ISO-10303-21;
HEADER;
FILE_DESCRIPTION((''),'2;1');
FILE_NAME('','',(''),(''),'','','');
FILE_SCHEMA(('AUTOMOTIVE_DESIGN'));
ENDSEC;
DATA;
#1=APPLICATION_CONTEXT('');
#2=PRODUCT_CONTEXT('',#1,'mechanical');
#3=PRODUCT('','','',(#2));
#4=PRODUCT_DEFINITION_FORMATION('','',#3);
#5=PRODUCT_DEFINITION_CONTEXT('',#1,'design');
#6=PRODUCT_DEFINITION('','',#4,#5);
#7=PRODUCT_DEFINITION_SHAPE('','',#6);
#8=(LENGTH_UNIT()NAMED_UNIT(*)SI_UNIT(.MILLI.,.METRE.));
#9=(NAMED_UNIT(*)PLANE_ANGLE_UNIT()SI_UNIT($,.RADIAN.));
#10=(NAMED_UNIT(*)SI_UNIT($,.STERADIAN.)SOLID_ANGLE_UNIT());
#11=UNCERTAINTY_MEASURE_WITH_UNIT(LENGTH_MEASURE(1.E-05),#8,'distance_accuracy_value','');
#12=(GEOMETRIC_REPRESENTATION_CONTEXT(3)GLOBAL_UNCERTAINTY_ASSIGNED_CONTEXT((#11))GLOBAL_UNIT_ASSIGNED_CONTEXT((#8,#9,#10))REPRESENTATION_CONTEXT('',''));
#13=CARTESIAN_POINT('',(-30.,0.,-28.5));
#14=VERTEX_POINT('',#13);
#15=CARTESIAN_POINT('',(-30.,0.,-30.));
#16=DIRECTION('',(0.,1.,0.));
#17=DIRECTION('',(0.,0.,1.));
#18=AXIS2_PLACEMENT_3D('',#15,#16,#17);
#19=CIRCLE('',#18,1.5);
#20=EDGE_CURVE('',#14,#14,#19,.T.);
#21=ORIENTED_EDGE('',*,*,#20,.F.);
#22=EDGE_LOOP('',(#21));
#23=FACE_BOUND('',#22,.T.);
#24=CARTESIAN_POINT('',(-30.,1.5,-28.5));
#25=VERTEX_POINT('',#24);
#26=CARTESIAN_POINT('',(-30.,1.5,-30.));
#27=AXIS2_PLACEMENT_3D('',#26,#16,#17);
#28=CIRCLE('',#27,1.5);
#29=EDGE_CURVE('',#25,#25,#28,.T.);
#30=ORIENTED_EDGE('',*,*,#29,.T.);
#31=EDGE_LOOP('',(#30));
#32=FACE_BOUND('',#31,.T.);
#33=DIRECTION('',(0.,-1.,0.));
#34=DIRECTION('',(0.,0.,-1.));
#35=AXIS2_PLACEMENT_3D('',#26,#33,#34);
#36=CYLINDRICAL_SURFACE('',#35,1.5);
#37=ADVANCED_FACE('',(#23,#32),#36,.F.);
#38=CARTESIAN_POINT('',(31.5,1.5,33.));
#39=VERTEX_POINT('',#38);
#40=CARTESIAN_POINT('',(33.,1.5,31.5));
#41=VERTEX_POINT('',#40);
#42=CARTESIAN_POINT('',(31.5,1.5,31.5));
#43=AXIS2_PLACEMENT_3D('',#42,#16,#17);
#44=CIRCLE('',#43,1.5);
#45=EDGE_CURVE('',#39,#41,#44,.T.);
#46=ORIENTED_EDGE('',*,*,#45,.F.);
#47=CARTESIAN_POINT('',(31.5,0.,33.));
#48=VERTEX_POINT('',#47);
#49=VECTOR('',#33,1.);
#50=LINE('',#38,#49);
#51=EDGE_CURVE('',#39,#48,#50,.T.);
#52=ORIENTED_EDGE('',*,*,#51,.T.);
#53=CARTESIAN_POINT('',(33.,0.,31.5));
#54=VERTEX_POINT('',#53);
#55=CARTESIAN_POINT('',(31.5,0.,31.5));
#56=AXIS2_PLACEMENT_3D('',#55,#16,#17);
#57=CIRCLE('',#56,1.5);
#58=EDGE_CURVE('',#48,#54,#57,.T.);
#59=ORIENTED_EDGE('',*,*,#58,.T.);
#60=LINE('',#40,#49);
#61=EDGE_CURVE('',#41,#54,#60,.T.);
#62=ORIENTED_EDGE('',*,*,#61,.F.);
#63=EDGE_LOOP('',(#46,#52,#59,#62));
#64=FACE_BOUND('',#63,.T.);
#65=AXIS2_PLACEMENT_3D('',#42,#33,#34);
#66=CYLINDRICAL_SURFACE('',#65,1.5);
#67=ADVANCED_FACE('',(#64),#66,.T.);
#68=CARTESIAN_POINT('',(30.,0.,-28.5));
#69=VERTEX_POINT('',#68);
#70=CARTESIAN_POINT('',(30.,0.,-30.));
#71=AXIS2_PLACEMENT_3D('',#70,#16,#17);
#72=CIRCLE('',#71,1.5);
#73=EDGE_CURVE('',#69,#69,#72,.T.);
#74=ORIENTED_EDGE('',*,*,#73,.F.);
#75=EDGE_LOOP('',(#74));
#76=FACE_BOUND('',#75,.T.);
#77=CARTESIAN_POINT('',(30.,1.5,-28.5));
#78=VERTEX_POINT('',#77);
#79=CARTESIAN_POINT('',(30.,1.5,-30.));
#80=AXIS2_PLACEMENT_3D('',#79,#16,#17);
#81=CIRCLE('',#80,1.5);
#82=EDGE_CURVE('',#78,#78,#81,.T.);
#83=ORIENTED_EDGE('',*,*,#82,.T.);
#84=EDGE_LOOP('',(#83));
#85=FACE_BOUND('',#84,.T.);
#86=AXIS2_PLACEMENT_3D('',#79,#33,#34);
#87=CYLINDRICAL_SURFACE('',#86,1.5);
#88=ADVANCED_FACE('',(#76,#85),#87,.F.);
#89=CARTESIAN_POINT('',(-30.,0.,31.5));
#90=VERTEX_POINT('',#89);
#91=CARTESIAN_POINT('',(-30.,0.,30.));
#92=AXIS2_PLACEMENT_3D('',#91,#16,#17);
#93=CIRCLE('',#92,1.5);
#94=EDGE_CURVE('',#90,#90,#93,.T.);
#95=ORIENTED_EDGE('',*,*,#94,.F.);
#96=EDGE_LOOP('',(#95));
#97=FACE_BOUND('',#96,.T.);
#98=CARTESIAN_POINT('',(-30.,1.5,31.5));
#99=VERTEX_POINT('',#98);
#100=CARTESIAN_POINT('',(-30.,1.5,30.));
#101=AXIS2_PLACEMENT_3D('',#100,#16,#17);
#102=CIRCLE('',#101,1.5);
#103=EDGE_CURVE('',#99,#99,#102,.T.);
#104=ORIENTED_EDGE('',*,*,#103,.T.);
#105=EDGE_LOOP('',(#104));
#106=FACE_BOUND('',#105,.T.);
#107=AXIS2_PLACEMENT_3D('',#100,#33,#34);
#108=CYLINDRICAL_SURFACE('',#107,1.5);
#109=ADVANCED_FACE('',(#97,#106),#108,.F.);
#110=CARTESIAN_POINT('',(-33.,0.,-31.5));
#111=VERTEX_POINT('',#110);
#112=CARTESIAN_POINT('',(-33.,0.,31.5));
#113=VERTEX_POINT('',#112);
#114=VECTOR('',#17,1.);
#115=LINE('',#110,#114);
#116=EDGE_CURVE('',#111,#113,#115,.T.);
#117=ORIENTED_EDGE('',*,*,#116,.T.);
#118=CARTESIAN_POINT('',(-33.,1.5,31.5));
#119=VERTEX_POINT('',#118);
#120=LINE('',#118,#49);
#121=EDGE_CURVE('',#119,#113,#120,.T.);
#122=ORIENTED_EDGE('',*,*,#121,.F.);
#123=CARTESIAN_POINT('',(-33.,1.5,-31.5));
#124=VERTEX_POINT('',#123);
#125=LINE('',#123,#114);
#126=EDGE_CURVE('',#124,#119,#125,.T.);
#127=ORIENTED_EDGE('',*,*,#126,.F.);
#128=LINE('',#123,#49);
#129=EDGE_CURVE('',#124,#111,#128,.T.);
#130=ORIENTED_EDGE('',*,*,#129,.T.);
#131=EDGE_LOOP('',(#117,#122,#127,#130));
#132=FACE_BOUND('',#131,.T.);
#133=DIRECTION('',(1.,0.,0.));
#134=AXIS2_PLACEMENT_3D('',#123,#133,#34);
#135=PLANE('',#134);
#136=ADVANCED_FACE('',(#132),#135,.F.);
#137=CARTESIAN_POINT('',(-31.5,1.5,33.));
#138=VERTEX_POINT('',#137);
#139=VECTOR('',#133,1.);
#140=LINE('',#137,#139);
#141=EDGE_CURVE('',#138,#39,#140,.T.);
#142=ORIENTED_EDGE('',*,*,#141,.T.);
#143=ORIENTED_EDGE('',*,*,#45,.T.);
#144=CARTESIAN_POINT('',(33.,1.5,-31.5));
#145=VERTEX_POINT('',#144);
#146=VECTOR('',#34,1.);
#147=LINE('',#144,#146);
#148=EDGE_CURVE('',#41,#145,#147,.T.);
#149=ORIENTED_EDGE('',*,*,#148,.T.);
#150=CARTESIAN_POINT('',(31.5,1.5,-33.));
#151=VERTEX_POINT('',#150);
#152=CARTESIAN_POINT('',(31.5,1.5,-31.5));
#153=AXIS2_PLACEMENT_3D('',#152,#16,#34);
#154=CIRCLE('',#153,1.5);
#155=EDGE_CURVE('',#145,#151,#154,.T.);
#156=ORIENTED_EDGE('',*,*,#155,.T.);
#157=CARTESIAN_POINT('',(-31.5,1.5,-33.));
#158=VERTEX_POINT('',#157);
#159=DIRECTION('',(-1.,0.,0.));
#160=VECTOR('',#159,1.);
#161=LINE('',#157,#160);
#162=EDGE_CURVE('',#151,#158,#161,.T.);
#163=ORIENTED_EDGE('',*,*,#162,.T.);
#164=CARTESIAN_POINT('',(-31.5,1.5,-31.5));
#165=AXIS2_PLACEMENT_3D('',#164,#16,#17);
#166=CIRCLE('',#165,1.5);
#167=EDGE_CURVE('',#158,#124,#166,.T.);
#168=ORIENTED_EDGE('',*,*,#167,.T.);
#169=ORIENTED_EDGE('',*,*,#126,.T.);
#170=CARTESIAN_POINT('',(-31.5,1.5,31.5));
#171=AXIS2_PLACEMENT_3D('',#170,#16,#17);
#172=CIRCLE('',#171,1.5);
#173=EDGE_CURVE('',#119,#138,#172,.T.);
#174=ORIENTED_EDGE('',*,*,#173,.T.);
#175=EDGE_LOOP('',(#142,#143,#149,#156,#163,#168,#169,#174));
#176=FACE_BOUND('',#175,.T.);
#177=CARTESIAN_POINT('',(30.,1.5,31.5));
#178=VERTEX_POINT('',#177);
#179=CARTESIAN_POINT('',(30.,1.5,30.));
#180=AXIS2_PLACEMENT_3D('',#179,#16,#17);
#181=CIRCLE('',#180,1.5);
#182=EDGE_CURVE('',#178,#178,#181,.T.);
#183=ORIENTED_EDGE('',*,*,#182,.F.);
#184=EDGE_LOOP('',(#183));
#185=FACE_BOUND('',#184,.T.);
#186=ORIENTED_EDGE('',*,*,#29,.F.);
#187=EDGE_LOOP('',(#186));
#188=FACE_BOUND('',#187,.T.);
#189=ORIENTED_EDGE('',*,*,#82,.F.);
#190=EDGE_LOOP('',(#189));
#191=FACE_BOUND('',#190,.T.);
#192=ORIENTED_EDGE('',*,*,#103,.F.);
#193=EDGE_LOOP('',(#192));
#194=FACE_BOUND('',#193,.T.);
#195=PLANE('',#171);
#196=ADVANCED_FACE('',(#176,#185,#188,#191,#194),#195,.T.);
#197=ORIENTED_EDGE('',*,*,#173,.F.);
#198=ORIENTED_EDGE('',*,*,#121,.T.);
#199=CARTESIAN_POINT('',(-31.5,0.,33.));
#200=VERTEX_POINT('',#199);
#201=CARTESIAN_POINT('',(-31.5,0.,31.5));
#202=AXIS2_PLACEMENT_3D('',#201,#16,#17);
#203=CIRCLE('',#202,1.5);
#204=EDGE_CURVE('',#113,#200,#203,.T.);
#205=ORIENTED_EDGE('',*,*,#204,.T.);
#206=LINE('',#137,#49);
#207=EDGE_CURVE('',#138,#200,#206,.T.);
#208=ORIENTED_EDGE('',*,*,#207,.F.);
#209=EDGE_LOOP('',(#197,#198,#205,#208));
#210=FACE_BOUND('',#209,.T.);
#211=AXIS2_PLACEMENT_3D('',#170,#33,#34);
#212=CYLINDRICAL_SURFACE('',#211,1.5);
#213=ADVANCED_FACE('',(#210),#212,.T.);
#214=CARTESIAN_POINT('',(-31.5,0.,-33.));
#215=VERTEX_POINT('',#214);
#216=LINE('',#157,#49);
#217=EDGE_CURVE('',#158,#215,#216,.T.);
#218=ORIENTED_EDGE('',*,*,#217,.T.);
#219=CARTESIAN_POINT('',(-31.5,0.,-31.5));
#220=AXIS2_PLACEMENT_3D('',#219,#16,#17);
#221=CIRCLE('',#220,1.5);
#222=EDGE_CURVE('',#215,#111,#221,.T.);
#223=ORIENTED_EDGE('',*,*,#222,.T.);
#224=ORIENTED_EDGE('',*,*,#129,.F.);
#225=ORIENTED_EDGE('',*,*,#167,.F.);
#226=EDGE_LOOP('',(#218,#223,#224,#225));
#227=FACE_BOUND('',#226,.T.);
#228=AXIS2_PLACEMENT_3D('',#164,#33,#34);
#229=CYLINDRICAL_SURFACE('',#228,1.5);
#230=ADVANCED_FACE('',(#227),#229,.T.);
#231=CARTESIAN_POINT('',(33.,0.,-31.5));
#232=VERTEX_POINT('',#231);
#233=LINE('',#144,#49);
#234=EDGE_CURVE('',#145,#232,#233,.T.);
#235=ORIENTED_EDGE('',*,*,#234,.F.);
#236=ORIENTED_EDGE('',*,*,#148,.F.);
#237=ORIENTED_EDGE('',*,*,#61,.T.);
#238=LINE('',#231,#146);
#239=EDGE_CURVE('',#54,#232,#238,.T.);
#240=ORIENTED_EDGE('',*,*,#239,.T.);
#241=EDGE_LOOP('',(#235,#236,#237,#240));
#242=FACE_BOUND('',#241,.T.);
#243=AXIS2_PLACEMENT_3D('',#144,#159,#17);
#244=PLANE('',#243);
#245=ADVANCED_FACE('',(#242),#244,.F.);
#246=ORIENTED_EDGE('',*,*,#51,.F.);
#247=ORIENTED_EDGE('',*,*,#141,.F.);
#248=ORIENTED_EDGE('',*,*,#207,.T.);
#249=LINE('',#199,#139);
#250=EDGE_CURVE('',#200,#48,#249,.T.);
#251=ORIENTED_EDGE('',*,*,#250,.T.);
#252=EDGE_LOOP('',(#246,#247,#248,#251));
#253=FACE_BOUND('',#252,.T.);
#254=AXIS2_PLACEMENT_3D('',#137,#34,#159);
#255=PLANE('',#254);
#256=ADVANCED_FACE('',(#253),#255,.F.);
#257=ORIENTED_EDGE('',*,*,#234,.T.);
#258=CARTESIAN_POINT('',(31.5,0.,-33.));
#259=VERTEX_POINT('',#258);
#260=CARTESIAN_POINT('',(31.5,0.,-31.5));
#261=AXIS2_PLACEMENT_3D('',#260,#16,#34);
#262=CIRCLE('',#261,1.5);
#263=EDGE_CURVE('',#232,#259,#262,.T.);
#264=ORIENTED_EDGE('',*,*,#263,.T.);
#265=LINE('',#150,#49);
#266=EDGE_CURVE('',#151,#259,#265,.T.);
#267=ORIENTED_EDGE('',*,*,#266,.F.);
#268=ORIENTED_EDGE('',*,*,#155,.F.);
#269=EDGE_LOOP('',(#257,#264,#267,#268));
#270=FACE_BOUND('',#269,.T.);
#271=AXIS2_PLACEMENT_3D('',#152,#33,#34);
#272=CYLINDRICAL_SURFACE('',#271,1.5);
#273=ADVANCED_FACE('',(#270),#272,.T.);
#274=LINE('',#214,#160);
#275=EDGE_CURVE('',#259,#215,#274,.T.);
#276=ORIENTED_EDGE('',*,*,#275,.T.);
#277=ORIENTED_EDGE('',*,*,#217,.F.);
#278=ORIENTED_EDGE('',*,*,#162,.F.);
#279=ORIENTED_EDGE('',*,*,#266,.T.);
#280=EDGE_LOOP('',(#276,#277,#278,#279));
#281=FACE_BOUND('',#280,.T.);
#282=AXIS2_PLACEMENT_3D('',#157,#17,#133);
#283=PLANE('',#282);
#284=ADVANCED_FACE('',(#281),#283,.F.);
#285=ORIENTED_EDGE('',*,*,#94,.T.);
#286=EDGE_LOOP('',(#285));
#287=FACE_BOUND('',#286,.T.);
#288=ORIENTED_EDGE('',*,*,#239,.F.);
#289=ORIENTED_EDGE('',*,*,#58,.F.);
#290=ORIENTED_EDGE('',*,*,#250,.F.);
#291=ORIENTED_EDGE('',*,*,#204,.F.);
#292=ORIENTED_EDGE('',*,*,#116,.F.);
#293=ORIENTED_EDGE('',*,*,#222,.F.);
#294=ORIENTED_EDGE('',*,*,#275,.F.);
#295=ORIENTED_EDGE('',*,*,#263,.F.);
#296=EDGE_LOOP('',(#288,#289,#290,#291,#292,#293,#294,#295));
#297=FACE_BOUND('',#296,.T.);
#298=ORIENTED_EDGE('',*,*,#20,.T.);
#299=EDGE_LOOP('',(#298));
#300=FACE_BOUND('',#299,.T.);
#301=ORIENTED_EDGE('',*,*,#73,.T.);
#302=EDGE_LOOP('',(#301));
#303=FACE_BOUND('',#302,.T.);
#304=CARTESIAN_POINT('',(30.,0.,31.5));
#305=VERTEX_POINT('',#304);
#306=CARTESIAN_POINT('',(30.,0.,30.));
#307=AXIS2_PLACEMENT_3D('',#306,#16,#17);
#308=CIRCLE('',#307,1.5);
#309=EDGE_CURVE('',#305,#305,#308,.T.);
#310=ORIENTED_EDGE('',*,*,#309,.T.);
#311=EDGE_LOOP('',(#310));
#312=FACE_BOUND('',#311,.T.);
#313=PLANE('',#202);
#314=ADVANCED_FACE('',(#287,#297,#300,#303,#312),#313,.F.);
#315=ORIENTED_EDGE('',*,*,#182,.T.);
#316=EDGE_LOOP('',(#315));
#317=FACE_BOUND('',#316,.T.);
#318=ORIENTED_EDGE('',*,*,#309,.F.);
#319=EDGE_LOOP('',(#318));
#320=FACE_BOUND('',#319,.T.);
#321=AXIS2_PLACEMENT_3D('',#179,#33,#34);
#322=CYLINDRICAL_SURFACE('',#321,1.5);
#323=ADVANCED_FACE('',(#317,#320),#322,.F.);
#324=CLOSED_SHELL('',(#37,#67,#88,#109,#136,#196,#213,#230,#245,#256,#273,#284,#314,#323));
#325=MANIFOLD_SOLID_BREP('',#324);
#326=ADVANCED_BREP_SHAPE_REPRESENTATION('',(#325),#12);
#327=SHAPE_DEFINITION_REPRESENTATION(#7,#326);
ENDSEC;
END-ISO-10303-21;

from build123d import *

# Parameters (mm, degrees)
SKETCH_1_R      = 1.5
EXTRUDE_1_DEPTH = 1.5


with BuildPart() as part:
    # Эскиз1 → Бобышка-Вытянуть1 (new body)
    with BuildSketch(Plane(origin=(0, 0, 0), x_dir=(1, 0, 0), z_dir=(0, 1, 0))):
        with BuildLine():
            Line((-31.5, 33), (31.5, 33))
            ThreePointArc((31.5, 33), (32.560660172, 32.560660172), (33, 31.5))
            Line((33, 31.5), (33, -31.5))
            ThreePointArc((33, -31.5), (32.560660172, -32.560660172), (31.5, -33))
            Line((31.5, -33), (-31.5, -33))
            ThreePointArc((-31.5, -33), (-32.560660172, -32.560660172), (-33, -31.5))
            Line((-33, -31.5), (-33, 31.5))
            ThreePointArc((-33, 31.5), (-32.560660172, 32.560660172), (-31.5, 33))
        make_face()
        with Locations(Location((-30, 30, 0), (0, 0, 270))):
            Circle(SKETCH_1_R, mode=Mode.SUBTRACT)
        with Locations(Location((30, 30, 0), (0, 0, 270))):
            Circle(SKETCH_1_R, mode=Mode.SUBTRACT)
        with Locations(Location((30, -30, 0), (0, 0, 270))):
            Circle(SKETCH_1_R, mode=Mode.SUBTRACT)
        with Locations(Location((-30, -30, 0), (0, 0, 270))):
            Circle(SKETCH_1_R, mode=Mode.SUBTRACT)
    extrude(amount=EXTRUDE_1_DEPTH)


solid = part.part
